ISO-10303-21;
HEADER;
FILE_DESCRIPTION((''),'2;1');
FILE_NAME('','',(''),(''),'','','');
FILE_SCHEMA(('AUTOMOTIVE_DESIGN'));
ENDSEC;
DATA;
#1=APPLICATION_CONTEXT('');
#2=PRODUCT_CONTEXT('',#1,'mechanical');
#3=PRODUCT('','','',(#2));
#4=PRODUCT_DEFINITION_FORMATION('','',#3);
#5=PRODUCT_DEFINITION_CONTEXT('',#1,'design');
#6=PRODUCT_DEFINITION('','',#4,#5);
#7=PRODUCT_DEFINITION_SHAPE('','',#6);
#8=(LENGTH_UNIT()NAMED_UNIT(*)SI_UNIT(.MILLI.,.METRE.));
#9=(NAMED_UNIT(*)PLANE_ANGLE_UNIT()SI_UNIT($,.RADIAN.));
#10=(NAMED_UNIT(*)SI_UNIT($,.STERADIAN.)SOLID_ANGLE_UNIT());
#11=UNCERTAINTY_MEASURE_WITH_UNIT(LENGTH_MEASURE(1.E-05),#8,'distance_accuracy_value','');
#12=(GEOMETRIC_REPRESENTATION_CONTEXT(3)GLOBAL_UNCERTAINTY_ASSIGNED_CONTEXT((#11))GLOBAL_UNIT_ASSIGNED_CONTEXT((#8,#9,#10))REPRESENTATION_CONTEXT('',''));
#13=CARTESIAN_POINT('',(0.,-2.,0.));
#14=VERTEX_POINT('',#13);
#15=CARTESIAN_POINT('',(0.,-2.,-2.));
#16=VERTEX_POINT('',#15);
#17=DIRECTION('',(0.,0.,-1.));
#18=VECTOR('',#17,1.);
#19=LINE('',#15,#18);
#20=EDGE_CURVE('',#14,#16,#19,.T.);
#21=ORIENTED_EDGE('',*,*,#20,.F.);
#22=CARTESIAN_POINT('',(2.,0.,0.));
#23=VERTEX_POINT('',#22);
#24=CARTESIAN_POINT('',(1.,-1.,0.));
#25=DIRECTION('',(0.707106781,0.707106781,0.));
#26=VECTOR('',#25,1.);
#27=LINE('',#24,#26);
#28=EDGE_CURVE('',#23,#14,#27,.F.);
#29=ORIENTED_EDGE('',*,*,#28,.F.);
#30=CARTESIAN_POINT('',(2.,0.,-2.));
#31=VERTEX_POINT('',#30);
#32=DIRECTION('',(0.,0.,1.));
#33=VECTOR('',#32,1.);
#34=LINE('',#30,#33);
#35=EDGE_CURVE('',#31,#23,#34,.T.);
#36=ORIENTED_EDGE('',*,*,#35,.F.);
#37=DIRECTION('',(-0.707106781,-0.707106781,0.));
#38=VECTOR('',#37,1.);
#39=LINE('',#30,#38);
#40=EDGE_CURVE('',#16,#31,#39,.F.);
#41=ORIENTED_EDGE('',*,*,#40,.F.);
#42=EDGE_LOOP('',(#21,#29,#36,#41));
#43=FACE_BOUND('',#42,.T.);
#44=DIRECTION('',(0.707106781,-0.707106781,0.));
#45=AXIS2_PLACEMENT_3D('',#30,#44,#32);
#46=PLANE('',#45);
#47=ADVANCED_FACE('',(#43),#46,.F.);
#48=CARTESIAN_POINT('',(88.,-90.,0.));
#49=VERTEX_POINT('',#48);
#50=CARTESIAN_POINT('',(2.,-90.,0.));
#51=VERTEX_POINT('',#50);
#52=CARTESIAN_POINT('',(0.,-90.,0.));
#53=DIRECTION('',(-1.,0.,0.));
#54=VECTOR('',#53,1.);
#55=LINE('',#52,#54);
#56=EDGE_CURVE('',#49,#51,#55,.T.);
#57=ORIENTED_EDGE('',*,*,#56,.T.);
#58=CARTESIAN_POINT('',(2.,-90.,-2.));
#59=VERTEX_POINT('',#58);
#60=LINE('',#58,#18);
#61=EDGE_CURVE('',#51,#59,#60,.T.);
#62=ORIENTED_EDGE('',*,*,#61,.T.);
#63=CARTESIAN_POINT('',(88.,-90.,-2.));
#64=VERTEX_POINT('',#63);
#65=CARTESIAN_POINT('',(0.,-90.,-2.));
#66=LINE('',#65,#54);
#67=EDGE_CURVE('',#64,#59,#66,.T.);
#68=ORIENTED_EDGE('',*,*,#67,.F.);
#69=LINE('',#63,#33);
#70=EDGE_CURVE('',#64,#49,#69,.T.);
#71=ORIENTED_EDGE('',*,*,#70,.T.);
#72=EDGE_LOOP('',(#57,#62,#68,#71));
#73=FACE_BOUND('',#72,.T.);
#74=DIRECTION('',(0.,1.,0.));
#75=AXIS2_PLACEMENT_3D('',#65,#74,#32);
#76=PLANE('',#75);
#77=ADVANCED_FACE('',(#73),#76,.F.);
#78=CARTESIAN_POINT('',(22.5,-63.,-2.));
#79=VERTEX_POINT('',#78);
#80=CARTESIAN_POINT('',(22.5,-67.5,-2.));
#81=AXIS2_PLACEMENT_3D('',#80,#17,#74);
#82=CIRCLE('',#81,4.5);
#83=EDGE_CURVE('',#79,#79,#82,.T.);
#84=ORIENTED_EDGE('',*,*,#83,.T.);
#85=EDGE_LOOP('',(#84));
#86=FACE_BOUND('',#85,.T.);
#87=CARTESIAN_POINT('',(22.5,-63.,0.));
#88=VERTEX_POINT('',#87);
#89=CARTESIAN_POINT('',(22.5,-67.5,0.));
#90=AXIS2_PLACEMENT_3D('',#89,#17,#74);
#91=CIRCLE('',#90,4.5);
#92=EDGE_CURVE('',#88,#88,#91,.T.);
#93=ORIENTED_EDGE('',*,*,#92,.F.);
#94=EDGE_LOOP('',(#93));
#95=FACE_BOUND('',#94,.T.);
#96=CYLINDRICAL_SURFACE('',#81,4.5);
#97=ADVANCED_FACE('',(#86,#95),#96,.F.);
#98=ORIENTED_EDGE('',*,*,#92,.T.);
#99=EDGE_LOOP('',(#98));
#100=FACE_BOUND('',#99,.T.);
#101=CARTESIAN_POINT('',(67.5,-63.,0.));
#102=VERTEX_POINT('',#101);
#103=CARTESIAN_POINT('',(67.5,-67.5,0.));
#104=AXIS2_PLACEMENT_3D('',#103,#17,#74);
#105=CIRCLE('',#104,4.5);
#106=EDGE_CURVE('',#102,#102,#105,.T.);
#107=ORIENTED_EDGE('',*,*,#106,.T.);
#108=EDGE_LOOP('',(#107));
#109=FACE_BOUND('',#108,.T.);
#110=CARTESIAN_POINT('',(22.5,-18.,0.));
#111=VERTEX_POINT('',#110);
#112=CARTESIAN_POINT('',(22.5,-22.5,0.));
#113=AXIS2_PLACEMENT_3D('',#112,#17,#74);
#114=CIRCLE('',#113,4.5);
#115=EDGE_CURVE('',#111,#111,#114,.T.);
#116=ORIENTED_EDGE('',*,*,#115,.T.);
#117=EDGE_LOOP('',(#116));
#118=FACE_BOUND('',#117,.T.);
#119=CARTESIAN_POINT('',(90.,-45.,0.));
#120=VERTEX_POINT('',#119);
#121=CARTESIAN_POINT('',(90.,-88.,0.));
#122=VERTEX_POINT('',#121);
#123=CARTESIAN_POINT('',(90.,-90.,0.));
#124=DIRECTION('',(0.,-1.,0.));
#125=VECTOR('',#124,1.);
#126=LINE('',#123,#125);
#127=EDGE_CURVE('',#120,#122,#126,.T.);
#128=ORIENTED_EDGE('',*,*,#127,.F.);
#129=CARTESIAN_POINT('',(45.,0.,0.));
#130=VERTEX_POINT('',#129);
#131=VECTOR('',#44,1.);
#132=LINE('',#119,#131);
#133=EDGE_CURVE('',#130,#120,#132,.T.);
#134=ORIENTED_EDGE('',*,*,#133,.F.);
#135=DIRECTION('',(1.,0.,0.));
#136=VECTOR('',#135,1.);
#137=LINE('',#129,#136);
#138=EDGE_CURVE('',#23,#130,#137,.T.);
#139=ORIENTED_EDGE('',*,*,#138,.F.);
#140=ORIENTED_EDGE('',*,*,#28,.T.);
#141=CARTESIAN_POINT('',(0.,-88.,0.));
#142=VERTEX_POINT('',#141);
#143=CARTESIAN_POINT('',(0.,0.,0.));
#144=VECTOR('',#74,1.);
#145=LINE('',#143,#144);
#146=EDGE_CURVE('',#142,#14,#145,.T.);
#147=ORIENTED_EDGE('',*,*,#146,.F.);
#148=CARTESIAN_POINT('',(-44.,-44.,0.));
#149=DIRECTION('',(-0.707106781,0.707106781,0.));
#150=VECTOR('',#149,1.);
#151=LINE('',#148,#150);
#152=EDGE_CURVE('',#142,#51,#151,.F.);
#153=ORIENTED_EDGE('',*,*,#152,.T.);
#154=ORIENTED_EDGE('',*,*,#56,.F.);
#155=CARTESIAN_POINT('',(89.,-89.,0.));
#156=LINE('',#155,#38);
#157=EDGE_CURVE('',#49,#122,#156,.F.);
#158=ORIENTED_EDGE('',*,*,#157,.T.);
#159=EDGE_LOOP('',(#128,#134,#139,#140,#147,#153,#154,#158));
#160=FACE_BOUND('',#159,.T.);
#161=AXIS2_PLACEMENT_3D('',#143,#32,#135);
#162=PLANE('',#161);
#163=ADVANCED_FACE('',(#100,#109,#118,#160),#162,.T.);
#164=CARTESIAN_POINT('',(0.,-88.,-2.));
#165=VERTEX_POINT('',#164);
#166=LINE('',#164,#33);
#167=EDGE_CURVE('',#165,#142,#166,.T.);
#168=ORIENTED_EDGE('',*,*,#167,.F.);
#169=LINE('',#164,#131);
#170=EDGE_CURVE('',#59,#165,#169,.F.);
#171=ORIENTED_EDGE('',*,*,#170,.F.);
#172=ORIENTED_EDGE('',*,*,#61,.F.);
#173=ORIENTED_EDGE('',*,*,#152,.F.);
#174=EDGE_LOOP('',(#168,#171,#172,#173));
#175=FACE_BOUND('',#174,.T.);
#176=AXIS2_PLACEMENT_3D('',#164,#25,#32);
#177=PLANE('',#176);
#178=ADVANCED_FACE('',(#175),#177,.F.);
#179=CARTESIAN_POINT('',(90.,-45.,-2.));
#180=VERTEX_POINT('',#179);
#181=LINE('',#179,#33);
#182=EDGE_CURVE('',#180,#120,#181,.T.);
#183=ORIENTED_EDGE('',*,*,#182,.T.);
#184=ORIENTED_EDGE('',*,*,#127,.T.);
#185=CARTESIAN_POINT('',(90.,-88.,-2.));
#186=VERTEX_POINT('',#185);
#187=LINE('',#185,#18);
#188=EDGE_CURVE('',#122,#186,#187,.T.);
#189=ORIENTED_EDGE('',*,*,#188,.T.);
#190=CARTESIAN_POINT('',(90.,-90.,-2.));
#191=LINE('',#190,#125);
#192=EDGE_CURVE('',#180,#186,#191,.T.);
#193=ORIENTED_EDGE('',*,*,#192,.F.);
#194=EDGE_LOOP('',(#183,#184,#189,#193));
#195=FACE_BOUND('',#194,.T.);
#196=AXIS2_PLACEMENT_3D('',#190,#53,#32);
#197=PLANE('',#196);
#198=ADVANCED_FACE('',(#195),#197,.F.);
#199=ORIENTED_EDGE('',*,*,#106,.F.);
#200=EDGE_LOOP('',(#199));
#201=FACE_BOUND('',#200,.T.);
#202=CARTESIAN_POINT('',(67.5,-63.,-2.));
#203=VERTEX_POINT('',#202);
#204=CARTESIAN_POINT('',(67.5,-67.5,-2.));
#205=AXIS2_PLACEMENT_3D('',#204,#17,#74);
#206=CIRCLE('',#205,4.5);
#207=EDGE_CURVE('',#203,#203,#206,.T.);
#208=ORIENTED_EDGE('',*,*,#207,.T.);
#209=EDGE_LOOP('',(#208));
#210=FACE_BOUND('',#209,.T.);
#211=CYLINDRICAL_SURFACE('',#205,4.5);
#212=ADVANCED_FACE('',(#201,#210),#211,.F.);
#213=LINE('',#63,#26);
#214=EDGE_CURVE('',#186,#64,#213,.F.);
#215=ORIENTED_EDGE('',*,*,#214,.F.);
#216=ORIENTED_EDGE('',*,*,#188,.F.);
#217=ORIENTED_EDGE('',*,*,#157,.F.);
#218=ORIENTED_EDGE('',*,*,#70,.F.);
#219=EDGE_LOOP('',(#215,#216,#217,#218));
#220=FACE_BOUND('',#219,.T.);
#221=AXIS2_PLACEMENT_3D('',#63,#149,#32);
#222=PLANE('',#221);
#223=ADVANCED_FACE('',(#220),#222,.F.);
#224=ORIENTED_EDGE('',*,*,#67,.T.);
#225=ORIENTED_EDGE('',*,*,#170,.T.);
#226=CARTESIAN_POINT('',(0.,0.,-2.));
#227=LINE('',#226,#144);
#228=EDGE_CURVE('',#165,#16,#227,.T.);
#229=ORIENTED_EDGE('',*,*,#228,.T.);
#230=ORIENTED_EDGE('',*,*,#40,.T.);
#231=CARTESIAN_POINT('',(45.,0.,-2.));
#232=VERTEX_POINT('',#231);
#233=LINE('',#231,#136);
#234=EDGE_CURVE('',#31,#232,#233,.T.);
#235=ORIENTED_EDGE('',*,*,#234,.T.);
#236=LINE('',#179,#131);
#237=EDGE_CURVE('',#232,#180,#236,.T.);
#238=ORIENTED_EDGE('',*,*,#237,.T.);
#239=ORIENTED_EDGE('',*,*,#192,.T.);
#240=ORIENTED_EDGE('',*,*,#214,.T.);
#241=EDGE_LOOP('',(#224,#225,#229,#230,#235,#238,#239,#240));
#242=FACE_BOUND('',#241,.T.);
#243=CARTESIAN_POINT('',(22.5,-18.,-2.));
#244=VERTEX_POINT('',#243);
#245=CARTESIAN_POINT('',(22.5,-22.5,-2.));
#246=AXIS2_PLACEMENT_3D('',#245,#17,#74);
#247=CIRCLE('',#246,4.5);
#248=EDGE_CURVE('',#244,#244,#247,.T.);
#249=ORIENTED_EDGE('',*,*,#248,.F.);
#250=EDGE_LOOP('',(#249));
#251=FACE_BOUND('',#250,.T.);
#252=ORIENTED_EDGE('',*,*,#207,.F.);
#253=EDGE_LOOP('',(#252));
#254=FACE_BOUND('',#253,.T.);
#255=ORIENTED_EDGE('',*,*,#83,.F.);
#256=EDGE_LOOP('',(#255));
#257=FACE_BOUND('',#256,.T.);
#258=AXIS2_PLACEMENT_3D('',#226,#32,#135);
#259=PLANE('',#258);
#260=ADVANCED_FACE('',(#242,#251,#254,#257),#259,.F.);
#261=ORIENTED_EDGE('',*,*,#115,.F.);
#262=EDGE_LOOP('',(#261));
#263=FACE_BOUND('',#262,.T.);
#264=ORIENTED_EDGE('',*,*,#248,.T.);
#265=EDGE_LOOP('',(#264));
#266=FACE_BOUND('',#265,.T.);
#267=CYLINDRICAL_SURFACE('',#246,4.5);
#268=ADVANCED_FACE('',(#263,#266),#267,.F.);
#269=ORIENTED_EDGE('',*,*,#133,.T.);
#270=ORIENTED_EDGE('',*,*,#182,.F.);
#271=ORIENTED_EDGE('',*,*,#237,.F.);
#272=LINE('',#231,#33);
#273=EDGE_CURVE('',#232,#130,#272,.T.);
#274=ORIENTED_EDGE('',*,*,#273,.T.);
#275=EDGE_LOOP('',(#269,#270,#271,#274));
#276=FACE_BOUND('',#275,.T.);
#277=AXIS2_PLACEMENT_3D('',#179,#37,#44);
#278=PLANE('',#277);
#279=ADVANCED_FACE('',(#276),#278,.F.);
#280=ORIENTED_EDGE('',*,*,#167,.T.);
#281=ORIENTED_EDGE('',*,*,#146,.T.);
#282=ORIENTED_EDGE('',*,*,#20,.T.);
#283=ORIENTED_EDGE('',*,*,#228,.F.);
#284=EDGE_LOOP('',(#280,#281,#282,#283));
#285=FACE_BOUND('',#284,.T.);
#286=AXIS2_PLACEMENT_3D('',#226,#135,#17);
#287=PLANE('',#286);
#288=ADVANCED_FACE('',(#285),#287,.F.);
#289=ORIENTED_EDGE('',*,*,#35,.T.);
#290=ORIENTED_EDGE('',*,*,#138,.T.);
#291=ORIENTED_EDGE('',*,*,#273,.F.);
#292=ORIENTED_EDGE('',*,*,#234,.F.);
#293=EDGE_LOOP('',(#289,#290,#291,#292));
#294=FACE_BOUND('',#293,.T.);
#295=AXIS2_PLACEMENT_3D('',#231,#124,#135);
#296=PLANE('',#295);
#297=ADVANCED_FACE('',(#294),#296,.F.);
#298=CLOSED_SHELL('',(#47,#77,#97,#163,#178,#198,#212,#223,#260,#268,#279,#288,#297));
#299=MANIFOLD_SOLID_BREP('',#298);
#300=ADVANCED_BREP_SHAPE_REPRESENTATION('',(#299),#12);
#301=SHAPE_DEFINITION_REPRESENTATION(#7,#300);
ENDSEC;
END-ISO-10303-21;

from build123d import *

# Parameters (mm, degrees)
EXTRUDE_1_DEPTH   = 2
HOLE_WIZARD_M81_D = 9
CHAMFER_1_SIZE    = 2


with BuildPart() as part:
    # Эскиз1 → Бобышка-Вытянуть1 (new body)
    with BuildSketch(Plane(origin=(0, 0, 0), x_dir=(1, 0, 0), z_dir=(0, 0, -1))):
        Polygon((0, 0), (0, 90), (90, 90), (90, 45), (45, 0), align=None)
    extrude(amount=EXTRUDE_1_DEPTH)

    # Отверстие с зазором M81 (through all)
    with Locations(Plane(origin=(0, 0, -2), x_dir=(1, 0, 0), z_dir=(0, 0, -1))):
        with Locations((22.5, 67.5), (22.5, 22.5), (67.5, 67.5)):
            Hole(HOLE_WIZARD_M81_D / 2)

    # Фаска1
    chamfer_1_edges = [part.edges().sort_by_distance(p)[0] for p in [
        (0, 0, -1),
        (0, -90, -1),
        (90, -90, -1),
    ]]
    chamfer(chamfer_1_edges, length=CHAMFER_1_SIZE)


solid = part.part
